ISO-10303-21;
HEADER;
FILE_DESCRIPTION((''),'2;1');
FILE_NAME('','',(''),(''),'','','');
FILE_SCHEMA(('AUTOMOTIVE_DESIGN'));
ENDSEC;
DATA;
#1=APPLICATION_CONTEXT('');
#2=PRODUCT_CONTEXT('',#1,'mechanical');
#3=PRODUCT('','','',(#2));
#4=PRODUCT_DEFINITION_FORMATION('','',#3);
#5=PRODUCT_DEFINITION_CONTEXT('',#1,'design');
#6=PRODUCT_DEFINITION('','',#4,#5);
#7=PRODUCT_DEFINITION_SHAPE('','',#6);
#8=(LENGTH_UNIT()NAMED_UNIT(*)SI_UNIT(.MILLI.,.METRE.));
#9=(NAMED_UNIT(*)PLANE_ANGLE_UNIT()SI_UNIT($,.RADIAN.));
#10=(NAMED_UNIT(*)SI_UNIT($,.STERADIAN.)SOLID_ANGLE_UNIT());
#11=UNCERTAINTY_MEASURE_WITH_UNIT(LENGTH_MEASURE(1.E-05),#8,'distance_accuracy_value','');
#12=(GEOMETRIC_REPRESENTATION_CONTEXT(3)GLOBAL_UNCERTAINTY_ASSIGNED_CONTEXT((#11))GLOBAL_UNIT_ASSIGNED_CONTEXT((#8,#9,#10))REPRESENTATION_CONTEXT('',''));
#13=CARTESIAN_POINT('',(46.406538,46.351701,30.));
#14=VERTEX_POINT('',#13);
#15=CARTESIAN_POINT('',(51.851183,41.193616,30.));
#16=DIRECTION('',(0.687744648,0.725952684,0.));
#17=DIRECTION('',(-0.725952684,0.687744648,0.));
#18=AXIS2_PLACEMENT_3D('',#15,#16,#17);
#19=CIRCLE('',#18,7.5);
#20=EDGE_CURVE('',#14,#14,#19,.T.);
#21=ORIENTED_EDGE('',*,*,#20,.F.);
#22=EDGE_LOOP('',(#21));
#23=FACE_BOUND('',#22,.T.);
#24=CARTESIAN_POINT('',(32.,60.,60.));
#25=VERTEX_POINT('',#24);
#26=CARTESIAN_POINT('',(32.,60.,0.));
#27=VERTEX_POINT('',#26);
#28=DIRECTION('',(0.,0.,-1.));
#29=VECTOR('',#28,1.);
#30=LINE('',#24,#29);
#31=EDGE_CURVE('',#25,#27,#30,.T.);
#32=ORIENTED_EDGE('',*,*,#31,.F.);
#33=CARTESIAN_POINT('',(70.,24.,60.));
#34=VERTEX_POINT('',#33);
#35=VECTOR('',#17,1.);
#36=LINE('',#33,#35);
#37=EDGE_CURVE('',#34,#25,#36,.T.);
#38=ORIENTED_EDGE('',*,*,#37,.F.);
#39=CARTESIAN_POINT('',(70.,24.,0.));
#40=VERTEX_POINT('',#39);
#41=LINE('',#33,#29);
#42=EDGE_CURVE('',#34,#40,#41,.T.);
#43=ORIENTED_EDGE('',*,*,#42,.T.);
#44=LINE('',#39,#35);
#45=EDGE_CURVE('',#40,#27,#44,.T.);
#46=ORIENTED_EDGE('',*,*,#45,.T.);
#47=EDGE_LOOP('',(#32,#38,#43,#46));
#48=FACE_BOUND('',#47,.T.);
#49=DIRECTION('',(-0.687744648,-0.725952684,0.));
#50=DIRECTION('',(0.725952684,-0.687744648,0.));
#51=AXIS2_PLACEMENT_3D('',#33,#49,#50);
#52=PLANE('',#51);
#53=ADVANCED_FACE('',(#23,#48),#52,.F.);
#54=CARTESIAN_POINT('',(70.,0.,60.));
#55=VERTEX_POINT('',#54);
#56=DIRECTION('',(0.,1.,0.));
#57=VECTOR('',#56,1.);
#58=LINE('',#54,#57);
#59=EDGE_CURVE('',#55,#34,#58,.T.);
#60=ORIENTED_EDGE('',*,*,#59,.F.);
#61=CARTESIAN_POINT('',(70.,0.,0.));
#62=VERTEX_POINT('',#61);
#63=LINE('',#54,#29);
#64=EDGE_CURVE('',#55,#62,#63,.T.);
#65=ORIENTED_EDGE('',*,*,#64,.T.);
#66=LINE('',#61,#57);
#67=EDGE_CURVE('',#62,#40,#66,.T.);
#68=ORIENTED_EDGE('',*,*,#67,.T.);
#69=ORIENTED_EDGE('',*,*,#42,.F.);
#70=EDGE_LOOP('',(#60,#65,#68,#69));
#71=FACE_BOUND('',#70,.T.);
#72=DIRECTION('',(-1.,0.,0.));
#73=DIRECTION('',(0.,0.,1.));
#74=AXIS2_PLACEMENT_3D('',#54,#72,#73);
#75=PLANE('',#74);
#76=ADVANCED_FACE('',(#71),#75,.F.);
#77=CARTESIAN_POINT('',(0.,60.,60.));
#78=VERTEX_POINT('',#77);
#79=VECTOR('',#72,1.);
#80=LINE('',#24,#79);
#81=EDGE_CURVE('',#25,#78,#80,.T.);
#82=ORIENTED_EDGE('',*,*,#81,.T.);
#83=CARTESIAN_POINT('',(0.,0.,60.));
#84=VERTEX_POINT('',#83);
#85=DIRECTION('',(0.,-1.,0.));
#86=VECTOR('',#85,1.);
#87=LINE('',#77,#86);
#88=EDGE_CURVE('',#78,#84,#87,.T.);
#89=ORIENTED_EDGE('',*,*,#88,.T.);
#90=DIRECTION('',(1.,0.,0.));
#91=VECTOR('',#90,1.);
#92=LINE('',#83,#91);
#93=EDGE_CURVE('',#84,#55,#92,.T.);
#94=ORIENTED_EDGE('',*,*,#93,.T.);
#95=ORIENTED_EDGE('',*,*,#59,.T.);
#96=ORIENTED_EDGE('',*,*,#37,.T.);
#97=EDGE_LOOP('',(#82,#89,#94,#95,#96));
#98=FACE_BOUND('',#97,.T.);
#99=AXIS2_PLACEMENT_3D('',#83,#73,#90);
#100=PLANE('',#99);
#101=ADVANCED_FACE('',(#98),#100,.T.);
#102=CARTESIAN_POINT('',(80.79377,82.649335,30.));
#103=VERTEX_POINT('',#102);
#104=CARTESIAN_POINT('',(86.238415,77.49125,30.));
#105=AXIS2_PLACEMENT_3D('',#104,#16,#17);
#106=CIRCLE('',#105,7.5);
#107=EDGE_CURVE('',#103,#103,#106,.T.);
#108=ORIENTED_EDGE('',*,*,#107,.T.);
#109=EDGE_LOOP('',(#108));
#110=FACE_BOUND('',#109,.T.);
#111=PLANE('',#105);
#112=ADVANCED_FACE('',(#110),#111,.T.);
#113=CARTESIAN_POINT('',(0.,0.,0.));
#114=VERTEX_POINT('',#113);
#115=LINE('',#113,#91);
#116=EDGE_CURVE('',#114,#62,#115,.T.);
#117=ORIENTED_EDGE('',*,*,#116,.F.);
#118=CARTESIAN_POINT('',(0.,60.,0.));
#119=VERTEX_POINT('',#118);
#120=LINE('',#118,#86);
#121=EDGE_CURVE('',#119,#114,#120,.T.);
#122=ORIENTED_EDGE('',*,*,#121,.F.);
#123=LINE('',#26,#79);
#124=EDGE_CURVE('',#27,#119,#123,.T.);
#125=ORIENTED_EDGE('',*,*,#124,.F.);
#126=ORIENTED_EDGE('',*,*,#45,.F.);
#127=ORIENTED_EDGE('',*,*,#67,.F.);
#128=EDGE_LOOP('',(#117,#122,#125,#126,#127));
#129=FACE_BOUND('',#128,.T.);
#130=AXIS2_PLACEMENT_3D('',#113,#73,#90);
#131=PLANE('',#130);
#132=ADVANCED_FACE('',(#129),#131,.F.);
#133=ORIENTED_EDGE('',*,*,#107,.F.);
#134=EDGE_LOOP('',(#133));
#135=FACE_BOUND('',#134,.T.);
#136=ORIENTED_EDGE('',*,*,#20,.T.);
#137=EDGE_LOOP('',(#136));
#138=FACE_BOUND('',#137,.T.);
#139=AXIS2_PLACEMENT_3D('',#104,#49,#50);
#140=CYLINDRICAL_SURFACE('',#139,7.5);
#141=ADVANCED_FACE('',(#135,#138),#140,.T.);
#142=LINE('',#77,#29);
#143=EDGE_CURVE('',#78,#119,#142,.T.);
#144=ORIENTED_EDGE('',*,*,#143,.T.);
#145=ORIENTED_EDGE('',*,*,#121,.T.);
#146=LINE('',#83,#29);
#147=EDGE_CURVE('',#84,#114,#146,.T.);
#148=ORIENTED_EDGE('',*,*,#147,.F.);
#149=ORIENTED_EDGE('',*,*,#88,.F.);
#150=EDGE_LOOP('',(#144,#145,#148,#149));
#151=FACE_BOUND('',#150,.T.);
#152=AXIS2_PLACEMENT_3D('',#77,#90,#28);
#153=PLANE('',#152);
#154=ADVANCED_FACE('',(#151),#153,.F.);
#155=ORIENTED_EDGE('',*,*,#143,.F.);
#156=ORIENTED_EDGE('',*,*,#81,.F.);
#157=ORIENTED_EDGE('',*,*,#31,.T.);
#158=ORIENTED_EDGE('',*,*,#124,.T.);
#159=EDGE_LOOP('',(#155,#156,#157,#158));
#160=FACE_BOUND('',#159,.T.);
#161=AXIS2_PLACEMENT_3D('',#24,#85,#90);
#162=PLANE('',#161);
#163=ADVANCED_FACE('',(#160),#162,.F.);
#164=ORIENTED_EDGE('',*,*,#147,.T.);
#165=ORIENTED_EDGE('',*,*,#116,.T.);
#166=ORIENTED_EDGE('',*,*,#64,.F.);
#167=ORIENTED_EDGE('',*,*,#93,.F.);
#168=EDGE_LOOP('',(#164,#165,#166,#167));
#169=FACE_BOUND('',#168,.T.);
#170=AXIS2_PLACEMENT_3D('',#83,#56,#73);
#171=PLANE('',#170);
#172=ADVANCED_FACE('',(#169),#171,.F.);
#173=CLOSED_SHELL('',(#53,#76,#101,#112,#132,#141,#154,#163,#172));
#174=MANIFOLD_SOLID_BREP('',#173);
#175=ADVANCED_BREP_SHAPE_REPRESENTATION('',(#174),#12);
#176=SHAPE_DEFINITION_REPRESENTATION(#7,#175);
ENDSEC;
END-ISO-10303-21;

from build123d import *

# Parameters (mm, degrees)
EXTRUDE_1_DEPTH = 60
SKETCH_2_R      = 7.5
EXTRUDE_2_DEPTH = 50


with BuildPart() as part:
    # 草圖1 → 填料-伸長1 (new body)
    with BuildSketch(Plane.XY):
        Polygon((0, 0), (70, 0), (70, 24), (32, 60), (0, 60), align=None)
    extrude(amount=EXTRUDE_1_DEPTH)

    # 草圖2 → 填料-伸長2 (add)
    with BuildSketch(Plane(origin=(45.091970803, 47.597080292, 0), x_dir=(0.7259526839058265, -0.6877446479107832, 0), z_dir=(0.6877446479107832, 0.7259526839058265, 0))):
        with Locations(Location((9.310816324, -30, 0), (0, 0, 180))):
            Circle(SKETCH_2_R)
    extrude(amount=EXTRUDE_2_DEPTH)


solid = part.part
